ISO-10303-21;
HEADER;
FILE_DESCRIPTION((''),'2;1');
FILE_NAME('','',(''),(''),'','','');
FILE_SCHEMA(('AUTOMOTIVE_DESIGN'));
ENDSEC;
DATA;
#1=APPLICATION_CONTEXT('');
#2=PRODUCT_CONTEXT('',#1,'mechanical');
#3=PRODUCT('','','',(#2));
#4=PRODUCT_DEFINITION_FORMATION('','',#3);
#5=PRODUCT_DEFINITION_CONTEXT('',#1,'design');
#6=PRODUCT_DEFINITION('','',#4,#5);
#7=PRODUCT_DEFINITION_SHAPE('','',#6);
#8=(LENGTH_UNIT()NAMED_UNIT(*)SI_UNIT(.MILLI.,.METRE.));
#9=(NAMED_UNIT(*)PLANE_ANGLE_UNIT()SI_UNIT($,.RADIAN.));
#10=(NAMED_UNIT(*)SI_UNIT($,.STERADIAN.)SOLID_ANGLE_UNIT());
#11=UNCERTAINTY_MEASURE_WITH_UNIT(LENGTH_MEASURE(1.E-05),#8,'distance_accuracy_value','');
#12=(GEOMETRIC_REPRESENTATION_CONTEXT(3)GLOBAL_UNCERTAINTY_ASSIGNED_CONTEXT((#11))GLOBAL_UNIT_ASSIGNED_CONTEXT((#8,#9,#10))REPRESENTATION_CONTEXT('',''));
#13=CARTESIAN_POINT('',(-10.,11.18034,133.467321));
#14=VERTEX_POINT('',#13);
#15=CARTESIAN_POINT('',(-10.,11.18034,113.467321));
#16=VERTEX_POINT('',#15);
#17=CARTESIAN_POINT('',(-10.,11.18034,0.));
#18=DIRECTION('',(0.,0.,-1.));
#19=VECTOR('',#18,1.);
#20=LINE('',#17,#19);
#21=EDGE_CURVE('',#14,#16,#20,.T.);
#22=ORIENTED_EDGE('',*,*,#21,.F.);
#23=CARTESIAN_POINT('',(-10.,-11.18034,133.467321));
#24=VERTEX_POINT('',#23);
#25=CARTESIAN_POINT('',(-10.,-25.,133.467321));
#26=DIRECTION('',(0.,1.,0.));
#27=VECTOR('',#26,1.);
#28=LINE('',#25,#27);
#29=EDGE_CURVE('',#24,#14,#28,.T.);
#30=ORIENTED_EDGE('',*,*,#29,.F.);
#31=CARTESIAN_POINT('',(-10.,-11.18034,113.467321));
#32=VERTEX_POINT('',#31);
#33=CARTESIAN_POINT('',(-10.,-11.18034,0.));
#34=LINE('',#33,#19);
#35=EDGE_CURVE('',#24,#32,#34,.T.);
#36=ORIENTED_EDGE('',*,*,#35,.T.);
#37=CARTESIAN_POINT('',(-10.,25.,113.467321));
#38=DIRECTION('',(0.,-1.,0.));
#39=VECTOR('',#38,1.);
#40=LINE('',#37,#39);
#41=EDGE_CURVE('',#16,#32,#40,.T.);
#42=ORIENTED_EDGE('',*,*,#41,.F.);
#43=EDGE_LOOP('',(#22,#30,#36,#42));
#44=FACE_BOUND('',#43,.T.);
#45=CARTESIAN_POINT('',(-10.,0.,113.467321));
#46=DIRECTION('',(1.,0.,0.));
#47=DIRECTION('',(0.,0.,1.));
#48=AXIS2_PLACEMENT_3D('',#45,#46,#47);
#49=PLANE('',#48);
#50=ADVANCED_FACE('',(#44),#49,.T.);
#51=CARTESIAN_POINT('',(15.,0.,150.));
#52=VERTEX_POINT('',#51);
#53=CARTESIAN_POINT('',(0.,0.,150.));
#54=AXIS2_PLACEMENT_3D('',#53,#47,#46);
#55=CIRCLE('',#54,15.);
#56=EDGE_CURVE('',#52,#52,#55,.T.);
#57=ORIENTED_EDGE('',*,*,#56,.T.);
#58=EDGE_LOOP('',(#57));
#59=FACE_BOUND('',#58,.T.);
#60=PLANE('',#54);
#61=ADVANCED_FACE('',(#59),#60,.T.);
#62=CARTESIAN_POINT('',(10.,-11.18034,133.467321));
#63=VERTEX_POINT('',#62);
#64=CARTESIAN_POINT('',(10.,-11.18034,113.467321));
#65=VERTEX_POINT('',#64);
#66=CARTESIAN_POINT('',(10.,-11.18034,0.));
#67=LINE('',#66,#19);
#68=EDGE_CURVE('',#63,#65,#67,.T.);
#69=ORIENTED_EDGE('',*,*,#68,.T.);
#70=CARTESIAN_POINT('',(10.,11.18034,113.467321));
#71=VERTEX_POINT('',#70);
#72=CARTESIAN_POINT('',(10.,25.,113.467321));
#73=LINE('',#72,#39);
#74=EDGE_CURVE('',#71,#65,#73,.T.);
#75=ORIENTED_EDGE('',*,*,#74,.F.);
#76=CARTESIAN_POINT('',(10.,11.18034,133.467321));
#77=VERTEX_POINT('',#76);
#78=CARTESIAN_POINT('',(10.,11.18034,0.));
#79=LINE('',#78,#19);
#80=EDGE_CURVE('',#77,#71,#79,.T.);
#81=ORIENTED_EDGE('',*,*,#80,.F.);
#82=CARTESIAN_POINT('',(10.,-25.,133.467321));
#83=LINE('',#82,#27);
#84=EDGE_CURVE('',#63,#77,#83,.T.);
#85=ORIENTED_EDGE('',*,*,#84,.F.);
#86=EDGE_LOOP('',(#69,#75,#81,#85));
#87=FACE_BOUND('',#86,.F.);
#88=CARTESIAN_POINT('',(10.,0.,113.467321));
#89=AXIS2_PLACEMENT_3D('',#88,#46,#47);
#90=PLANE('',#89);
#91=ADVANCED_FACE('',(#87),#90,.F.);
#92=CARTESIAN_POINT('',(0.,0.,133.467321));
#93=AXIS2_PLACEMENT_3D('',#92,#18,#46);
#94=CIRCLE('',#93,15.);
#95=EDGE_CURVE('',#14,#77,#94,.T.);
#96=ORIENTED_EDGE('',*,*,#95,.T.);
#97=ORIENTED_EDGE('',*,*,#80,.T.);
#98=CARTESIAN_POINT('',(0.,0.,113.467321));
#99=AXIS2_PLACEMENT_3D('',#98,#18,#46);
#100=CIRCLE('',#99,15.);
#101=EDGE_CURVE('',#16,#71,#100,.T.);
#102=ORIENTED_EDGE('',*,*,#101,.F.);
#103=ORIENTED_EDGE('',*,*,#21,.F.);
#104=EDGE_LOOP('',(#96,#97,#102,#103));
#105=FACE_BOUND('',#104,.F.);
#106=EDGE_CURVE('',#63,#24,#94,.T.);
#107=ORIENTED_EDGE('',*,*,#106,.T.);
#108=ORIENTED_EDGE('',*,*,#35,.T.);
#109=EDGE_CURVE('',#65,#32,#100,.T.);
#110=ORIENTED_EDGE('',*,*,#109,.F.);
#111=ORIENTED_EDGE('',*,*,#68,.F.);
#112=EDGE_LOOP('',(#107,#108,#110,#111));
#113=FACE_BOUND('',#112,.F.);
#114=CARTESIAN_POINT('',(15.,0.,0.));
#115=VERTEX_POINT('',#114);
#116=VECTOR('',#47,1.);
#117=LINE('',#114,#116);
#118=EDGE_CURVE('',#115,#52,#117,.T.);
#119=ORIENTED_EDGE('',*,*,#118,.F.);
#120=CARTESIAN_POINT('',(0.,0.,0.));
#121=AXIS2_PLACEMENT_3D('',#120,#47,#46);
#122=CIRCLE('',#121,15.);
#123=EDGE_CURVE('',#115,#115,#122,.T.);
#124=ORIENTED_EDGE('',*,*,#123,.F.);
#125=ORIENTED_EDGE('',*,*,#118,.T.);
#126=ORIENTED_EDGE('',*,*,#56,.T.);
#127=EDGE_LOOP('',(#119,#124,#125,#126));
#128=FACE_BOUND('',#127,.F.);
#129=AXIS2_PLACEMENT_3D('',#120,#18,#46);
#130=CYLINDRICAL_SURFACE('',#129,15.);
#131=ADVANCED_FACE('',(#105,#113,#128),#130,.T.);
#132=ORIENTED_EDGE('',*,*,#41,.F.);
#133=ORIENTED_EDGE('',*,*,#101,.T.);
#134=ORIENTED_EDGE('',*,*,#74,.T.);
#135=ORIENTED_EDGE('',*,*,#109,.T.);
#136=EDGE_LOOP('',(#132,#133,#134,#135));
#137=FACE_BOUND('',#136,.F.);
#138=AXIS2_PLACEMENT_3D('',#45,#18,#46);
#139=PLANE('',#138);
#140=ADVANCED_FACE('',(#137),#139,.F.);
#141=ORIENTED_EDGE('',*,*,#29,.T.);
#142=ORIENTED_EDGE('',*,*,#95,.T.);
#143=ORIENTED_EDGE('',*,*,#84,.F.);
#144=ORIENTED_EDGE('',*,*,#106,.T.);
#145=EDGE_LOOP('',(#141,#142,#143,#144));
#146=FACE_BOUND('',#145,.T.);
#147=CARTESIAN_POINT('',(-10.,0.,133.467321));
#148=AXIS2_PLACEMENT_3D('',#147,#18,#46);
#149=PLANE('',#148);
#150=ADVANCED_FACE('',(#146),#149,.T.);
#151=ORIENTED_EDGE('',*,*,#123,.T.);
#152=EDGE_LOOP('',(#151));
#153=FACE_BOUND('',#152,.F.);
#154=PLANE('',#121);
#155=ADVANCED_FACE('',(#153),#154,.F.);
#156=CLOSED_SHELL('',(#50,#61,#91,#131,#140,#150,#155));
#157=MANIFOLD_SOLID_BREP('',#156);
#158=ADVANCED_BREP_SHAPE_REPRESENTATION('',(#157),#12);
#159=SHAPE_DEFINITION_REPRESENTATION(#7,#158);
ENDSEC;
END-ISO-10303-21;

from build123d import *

# Parameters (mm, degrees)
F0_R     = 15
F1_DEPTH = 150
F2_W     = 20
F2_H     = 20
F3_DEPTH = 25


with BuildPart() as f1:
    # F0 (on Top) → F1 (new body)
    with BuildSketch(Plane.XY):
        Circle(F0_R)
    extrude(amount=F1_DEPTH)

    # F2 (on Front) → F3 (cut, symmetric)
    with BuildSketch(Plane.XZ):
        with Locations((0, 123.467321)):
            Rectangle(F2_W, F2_H)
    extrude(amount=F3_DEPTH, both=True, mode=Mode.SUBTRACT)


solid = f1.part
